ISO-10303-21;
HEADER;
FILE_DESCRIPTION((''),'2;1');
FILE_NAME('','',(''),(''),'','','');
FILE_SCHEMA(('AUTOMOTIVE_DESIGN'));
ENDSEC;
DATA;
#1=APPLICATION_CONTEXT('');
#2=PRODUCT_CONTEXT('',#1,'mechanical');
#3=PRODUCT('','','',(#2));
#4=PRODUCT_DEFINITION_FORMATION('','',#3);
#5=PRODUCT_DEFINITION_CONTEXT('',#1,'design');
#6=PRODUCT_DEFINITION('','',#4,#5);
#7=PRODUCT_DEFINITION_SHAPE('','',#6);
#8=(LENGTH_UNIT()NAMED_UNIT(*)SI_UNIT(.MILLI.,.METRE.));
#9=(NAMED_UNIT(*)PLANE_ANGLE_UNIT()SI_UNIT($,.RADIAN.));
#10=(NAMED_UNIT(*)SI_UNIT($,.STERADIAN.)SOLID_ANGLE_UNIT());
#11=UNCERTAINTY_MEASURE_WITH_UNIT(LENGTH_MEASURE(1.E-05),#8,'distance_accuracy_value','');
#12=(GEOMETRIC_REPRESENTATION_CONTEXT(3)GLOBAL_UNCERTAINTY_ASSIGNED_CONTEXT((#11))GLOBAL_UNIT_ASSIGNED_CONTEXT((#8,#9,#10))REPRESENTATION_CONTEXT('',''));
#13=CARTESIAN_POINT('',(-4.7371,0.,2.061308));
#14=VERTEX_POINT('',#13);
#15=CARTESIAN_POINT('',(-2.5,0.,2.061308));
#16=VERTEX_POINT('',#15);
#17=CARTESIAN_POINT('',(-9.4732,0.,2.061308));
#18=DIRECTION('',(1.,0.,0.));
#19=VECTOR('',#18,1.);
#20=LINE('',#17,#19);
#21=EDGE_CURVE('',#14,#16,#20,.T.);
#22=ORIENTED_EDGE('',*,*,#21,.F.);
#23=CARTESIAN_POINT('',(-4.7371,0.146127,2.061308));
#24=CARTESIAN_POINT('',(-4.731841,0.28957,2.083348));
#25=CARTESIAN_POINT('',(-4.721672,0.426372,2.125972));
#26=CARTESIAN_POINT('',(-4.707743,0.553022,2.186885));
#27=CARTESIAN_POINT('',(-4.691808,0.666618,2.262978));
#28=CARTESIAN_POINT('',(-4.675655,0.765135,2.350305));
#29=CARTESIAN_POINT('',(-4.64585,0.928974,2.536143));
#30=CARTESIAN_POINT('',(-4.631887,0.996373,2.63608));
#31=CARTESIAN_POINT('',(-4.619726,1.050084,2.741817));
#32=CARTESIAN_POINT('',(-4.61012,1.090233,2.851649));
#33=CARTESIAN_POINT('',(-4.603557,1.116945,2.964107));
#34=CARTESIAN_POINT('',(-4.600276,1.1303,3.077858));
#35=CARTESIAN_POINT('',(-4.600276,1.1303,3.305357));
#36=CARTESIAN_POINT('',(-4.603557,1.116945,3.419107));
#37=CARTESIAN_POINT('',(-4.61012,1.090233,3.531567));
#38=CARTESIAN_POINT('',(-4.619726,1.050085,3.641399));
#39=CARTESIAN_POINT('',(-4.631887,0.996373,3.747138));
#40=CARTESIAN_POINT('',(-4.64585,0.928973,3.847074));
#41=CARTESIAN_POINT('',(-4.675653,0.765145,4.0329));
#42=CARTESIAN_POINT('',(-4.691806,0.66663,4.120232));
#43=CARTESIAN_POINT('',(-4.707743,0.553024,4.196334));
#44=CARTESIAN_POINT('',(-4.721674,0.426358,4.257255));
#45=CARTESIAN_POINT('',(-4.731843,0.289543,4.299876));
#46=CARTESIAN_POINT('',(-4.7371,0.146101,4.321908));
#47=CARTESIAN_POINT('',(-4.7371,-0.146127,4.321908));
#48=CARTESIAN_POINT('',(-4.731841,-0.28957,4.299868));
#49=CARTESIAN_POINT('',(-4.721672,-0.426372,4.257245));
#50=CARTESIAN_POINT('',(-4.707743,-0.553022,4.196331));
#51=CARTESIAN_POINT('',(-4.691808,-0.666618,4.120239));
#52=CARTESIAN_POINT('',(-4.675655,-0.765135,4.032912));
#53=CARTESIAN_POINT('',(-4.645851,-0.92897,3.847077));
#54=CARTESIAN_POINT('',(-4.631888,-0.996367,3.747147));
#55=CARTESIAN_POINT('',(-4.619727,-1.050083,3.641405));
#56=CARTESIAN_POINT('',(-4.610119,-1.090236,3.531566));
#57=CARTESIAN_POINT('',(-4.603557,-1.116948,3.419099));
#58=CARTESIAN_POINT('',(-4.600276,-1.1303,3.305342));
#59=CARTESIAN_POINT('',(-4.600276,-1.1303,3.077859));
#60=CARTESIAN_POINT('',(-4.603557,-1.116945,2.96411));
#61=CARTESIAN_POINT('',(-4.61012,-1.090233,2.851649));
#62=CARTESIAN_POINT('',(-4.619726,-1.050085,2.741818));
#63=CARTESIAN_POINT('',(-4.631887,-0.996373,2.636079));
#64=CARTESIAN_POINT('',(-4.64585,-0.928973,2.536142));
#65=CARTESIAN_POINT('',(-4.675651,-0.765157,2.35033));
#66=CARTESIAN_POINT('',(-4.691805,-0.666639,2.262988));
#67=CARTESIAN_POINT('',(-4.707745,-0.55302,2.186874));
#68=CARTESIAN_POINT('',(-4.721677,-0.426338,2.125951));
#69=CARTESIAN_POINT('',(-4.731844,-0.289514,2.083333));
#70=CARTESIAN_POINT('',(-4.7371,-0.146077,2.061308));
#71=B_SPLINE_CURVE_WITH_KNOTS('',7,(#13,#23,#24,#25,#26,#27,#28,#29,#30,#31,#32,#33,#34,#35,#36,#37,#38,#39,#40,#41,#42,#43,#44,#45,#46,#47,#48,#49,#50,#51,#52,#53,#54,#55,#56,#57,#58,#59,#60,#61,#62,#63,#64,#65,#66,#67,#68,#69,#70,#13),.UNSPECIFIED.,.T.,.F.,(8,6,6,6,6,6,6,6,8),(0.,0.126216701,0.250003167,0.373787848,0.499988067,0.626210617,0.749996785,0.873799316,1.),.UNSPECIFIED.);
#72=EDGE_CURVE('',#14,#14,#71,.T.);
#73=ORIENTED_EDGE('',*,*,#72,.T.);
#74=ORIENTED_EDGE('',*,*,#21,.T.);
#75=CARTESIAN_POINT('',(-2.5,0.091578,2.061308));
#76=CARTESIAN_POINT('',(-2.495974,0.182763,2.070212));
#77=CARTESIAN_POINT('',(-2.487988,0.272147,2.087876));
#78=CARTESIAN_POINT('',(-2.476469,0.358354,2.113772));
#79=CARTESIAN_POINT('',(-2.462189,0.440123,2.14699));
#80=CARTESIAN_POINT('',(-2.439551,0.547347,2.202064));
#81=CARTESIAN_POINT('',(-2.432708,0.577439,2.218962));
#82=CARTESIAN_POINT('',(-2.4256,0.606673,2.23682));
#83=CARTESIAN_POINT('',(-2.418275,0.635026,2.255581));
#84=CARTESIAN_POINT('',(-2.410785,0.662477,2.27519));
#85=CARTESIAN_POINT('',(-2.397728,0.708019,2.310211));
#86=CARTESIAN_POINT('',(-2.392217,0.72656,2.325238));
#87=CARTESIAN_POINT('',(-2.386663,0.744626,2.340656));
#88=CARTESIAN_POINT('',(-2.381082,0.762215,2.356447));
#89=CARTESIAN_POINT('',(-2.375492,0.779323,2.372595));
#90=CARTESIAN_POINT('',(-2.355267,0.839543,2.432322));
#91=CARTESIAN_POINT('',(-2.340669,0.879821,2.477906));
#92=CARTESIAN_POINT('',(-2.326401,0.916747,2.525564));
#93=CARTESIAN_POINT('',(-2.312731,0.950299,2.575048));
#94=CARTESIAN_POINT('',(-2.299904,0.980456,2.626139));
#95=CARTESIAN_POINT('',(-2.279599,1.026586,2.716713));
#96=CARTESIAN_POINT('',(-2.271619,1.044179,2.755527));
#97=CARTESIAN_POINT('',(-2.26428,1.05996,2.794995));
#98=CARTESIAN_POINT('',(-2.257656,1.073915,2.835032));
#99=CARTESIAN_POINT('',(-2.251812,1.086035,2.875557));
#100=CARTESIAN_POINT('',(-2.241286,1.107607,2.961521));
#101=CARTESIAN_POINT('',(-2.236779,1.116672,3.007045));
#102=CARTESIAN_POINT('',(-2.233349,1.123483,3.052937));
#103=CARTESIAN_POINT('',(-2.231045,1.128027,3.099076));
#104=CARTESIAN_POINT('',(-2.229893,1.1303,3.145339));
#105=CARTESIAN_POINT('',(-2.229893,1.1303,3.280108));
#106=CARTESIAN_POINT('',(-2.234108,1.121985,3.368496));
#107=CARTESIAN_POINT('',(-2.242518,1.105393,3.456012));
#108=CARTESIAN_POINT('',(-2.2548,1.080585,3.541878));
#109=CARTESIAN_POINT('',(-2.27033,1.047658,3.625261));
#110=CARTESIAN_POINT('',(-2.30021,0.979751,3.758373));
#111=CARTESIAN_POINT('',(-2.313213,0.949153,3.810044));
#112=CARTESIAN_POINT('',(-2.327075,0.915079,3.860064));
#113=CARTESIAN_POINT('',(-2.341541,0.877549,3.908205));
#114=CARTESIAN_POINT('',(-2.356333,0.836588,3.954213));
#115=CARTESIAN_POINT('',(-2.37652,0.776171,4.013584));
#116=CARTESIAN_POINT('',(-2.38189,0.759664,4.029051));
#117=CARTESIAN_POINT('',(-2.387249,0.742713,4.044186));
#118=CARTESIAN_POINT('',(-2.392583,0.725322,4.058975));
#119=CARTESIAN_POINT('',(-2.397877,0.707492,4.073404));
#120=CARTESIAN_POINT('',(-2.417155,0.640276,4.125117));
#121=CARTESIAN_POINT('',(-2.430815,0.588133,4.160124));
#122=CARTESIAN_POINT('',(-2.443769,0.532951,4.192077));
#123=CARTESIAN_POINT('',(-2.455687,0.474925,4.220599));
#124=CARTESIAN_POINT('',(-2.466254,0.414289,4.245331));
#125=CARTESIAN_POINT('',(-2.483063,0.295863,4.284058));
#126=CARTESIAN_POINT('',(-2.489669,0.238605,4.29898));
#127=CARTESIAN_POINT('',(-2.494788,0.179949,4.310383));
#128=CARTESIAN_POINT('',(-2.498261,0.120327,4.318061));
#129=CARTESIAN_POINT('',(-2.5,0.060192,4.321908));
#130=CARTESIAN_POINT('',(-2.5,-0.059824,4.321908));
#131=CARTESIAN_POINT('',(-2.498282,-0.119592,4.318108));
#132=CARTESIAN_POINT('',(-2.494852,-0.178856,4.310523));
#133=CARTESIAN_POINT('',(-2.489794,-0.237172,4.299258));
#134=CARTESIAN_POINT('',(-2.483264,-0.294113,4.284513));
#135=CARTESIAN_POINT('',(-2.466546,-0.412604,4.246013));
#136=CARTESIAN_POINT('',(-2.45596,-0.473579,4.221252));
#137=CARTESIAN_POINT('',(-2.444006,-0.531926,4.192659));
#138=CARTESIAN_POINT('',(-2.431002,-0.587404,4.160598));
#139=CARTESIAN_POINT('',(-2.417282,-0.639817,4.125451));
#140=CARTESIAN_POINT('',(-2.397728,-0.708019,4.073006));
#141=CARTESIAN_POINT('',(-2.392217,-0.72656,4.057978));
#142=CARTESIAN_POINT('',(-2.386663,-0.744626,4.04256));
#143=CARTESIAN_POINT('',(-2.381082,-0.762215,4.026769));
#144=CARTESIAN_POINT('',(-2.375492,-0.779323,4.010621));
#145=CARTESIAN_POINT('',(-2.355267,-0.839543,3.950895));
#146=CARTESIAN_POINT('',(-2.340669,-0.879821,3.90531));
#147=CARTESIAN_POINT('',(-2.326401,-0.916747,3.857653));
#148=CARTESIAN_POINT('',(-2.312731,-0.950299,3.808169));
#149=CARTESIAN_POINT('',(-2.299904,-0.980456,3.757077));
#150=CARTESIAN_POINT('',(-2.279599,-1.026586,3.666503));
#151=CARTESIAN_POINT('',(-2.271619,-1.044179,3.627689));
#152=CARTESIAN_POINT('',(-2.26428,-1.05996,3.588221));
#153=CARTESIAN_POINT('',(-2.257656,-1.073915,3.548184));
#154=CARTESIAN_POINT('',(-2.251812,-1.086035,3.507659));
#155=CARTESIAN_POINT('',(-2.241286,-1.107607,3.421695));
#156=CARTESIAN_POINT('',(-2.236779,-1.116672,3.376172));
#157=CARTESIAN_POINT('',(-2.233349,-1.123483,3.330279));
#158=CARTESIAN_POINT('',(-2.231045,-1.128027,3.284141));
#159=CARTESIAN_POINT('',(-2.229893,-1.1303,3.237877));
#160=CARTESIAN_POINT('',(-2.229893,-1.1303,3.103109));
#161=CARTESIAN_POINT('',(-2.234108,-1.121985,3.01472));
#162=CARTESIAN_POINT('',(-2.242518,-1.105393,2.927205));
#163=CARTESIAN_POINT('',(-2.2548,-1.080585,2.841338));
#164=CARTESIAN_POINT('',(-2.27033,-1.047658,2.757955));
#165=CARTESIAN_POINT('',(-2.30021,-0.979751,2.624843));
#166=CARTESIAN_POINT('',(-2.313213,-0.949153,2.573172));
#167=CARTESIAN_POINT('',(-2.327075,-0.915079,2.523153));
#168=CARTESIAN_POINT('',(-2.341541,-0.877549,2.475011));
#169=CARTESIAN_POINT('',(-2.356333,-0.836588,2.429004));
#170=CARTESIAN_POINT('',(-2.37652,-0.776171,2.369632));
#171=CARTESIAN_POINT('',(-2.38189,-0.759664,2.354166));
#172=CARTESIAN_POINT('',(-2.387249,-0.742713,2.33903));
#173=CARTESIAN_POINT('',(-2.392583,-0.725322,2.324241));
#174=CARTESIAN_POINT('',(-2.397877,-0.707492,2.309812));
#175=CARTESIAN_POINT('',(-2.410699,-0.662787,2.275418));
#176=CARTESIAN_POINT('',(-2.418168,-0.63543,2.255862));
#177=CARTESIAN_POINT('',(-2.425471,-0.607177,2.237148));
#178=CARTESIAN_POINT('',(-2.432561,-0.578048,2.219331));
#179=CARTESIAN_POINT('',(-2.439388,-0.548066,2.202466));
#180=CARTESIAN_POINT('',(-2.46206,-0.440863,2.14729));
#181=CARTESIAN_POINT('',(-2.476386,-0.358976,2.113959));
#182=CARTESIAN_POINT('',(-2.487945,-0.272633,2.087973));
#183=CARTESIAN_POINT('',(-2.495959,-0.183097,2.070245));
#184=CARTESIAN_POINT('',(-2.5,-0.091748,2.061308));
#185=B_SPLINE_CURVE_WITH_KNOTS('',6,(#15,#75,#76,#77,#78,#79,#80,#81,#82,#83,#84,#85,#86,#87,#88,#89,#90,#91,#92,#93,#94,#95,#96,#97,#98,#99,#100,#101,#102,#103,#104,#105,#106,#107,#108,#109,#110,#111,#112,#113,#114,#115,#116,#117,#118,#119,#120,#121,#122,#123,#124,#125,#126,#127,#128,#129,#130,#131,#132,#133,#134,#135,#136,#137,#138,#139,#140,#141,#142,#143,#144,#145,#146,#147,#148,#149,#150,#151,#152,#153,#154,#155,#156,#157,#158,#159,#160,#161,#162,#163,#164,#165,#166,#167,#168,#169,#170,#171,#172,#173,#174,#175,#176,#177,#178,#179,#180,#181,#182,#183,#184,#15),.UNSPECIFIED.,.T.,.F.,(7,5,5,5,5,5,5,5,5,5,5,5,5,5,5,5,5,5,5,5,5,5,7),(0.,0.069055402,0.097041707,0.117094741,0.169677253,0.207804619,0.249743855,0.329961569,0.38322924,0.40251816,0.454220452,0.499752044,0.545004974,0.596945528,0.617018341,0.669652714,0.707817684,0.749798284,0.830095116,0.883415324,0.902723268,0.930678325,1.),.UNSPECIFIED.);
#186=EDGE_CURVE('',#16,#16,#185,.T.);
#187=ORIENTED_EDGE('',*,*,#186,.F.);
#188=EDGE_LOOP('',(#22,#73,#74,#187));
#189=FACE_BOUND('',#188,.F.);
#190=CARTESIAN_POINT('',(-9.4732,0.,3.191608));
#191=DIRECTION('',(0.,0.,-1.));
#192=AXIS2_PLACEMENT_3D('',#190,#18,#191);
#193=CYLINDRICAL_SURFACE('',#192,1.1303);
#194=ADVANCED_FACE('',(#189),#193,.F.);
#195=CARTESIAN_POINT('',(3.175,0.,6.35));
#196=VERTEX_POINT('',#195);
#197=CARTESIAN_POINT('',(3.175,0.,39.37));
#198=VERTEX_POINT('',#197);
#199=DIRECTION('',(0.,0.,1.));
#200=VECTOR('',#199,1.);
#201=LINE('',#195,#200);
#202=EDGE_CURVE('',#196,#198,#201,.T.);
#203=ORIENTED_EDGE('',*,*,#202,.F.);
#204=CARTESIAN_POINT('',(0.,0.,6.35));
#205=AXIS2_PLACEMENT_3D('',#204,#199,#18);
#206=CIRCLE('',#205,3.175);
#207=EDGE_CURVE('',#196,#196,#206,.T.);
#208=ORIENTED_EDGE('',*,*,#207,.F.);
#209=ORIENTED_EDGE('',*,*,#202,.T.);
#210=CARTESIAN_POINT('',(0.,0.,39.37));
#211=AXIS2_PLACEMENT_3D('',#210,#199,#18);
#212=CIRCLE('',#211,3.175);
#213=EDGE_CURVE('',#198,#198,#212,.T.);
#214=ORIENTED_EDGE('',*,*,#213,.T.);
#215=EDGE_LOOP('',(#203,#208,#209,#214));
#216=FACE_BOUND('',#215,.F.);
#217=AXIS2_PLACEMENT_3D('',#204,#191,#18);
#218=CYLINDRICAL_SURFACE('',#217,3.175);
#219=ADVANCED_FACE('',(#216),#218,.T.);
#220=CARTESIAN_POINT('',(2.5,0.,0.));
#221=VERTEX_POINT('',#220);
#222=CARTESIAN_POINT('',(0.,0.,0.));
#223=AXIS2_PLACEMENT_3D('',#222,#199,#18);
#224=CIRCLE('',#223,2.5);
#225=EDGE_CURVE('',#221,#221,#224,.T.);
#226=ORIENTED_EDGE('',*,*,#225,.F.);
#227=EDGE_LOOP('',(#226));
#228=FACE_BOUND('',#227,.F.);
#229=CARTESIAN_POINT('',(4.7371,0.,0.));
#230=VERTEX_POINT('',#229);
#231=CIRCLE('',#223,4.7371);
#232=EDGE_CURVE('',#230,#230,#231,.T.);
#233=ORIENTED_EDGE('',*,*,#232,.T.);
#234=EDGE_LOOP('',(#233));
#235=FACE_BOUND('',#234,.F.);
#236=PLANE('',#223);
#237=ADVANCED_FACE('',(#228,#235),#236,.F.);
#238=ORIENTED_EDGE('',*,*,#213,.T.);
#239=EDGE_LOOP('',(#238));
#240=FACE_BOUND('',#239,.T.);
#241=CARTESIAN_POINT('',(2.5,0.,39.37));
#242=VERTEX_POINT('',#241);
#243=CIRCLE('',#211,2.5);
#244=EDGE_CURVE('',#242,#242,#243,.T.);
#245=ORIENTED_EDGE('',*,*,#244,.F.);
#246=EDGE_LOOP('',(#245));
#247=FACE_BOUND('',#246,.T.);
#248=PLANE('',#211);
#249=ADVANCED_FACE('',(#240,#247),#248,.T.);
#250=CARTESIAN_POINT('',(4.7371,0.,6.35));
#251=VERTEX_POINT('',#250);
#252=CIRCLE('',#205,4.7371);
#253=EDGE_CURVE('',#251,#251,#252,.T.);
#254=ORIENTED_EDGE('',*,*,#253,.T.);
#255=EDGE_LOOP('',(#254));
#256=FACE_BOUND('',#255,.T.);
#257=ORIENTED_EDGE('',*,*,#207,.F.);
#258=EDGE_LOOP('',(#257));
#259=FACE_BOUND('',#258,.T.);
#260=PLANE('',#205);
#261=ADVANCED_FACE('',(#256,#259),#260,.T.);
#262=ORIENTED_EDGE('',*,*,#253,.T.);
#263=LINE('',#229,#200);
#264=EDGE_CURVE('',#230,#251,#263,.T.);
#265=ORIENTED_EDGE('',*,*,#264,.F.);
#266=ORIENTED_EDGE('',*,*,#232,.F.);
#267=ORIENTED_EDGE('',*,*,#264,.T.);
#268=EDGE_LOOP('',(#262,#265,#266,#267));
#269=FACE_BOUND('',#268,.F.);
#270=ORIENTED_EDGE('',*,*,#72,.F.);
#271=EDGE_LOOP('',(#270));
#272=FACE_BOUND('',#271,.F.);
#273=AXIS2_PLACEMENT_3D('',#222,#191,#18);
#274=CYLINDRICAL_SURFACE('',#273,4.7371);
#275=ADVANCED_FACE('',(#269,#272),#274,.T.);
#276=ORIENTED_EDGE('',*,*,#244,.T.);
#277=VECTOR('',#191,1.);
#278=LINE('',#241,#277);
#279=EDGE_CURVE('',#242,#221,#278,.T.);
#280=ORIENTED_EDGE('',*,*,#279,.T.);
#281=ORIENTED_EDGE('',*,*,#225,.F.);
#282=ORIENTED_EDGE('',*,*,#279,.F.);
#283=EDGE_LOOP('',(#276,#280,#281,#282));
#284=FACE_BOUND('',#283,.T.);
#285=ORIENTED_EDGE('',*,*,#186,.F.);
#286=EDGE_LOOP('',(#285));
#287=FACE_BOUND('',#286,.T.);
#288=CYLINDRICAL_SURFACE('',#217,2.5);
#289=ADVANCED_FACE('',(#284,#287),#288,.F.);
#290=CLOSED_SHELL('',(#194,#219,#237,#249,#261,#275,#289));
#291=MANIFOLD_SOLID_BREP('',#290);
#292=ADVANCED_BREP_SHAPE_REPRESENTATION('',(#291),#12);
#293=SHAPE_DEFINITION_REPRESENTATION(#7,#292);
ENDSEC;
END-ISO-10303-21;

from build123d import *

# Parameters (mm, degrees)
SKETCH1_R                 = 4.7371
SKETCH1_R_2               = 2.5
BOSS_EXTRUDE1_DEPTH       = 6.35
SKETCH2_R                 = 3.175
SKETCH2_R_2               = 2.5
BOSS_EXTRUDE2_DEPTH       = 33.02
F_4_40_TAPPED_HOLE1_D     = 2.2606
F_4_40_TAPPED_HOLE1_DEPTH = 4.7361
F_4_40_TAPPED_HOLE1_TIP   = 0.679152758


with BuildPart() as part:
    # Sketch1 → Boss-Extrude1 (new body)
    with BuildSketch(Plane.XY):
        Circle(SKETCH1_R)
        Circle(SKETCH1_R_2, mode=Mode.SUBTRACT)
    extrude(amount=BOSS_EXTRUDE1_DEPTH)

    # Sketch2 → Boss-Extrude2 (add)
    with BuildSketch(Plane.XY.offset(6.35)):
        Circle(SKETCH2_R)
        Circle(SKETCH2_R_2, mode=Mode.SUBTRACT)
    extrude(amount=BOSS_EXTRUDE2_DEPTH)

    # #4-40 Tapped Hole1
    with Locations(Plane.ZY.offset(4.7371)):
        with Locations((3.191608174, 0)):
            Hole(F_4_40_TAPPED_HOLE1_D / 2, depth=F_4_40_TAPPED_HOLE1_DEPTH)
            with Locations((0, 0, -(F_4_40_TAPPED_HOLE1_DEPTH + F_4_40_TAPPED_HOLE1_TIP / 2))):  # 118° drill point
                Cone(0, F_4_40_TAPPED_HOLE1_D / 2, F_4_40_TAPPED_HOLE1_TIP, mode=Mode.SUBTRACT)


solid = part.part
